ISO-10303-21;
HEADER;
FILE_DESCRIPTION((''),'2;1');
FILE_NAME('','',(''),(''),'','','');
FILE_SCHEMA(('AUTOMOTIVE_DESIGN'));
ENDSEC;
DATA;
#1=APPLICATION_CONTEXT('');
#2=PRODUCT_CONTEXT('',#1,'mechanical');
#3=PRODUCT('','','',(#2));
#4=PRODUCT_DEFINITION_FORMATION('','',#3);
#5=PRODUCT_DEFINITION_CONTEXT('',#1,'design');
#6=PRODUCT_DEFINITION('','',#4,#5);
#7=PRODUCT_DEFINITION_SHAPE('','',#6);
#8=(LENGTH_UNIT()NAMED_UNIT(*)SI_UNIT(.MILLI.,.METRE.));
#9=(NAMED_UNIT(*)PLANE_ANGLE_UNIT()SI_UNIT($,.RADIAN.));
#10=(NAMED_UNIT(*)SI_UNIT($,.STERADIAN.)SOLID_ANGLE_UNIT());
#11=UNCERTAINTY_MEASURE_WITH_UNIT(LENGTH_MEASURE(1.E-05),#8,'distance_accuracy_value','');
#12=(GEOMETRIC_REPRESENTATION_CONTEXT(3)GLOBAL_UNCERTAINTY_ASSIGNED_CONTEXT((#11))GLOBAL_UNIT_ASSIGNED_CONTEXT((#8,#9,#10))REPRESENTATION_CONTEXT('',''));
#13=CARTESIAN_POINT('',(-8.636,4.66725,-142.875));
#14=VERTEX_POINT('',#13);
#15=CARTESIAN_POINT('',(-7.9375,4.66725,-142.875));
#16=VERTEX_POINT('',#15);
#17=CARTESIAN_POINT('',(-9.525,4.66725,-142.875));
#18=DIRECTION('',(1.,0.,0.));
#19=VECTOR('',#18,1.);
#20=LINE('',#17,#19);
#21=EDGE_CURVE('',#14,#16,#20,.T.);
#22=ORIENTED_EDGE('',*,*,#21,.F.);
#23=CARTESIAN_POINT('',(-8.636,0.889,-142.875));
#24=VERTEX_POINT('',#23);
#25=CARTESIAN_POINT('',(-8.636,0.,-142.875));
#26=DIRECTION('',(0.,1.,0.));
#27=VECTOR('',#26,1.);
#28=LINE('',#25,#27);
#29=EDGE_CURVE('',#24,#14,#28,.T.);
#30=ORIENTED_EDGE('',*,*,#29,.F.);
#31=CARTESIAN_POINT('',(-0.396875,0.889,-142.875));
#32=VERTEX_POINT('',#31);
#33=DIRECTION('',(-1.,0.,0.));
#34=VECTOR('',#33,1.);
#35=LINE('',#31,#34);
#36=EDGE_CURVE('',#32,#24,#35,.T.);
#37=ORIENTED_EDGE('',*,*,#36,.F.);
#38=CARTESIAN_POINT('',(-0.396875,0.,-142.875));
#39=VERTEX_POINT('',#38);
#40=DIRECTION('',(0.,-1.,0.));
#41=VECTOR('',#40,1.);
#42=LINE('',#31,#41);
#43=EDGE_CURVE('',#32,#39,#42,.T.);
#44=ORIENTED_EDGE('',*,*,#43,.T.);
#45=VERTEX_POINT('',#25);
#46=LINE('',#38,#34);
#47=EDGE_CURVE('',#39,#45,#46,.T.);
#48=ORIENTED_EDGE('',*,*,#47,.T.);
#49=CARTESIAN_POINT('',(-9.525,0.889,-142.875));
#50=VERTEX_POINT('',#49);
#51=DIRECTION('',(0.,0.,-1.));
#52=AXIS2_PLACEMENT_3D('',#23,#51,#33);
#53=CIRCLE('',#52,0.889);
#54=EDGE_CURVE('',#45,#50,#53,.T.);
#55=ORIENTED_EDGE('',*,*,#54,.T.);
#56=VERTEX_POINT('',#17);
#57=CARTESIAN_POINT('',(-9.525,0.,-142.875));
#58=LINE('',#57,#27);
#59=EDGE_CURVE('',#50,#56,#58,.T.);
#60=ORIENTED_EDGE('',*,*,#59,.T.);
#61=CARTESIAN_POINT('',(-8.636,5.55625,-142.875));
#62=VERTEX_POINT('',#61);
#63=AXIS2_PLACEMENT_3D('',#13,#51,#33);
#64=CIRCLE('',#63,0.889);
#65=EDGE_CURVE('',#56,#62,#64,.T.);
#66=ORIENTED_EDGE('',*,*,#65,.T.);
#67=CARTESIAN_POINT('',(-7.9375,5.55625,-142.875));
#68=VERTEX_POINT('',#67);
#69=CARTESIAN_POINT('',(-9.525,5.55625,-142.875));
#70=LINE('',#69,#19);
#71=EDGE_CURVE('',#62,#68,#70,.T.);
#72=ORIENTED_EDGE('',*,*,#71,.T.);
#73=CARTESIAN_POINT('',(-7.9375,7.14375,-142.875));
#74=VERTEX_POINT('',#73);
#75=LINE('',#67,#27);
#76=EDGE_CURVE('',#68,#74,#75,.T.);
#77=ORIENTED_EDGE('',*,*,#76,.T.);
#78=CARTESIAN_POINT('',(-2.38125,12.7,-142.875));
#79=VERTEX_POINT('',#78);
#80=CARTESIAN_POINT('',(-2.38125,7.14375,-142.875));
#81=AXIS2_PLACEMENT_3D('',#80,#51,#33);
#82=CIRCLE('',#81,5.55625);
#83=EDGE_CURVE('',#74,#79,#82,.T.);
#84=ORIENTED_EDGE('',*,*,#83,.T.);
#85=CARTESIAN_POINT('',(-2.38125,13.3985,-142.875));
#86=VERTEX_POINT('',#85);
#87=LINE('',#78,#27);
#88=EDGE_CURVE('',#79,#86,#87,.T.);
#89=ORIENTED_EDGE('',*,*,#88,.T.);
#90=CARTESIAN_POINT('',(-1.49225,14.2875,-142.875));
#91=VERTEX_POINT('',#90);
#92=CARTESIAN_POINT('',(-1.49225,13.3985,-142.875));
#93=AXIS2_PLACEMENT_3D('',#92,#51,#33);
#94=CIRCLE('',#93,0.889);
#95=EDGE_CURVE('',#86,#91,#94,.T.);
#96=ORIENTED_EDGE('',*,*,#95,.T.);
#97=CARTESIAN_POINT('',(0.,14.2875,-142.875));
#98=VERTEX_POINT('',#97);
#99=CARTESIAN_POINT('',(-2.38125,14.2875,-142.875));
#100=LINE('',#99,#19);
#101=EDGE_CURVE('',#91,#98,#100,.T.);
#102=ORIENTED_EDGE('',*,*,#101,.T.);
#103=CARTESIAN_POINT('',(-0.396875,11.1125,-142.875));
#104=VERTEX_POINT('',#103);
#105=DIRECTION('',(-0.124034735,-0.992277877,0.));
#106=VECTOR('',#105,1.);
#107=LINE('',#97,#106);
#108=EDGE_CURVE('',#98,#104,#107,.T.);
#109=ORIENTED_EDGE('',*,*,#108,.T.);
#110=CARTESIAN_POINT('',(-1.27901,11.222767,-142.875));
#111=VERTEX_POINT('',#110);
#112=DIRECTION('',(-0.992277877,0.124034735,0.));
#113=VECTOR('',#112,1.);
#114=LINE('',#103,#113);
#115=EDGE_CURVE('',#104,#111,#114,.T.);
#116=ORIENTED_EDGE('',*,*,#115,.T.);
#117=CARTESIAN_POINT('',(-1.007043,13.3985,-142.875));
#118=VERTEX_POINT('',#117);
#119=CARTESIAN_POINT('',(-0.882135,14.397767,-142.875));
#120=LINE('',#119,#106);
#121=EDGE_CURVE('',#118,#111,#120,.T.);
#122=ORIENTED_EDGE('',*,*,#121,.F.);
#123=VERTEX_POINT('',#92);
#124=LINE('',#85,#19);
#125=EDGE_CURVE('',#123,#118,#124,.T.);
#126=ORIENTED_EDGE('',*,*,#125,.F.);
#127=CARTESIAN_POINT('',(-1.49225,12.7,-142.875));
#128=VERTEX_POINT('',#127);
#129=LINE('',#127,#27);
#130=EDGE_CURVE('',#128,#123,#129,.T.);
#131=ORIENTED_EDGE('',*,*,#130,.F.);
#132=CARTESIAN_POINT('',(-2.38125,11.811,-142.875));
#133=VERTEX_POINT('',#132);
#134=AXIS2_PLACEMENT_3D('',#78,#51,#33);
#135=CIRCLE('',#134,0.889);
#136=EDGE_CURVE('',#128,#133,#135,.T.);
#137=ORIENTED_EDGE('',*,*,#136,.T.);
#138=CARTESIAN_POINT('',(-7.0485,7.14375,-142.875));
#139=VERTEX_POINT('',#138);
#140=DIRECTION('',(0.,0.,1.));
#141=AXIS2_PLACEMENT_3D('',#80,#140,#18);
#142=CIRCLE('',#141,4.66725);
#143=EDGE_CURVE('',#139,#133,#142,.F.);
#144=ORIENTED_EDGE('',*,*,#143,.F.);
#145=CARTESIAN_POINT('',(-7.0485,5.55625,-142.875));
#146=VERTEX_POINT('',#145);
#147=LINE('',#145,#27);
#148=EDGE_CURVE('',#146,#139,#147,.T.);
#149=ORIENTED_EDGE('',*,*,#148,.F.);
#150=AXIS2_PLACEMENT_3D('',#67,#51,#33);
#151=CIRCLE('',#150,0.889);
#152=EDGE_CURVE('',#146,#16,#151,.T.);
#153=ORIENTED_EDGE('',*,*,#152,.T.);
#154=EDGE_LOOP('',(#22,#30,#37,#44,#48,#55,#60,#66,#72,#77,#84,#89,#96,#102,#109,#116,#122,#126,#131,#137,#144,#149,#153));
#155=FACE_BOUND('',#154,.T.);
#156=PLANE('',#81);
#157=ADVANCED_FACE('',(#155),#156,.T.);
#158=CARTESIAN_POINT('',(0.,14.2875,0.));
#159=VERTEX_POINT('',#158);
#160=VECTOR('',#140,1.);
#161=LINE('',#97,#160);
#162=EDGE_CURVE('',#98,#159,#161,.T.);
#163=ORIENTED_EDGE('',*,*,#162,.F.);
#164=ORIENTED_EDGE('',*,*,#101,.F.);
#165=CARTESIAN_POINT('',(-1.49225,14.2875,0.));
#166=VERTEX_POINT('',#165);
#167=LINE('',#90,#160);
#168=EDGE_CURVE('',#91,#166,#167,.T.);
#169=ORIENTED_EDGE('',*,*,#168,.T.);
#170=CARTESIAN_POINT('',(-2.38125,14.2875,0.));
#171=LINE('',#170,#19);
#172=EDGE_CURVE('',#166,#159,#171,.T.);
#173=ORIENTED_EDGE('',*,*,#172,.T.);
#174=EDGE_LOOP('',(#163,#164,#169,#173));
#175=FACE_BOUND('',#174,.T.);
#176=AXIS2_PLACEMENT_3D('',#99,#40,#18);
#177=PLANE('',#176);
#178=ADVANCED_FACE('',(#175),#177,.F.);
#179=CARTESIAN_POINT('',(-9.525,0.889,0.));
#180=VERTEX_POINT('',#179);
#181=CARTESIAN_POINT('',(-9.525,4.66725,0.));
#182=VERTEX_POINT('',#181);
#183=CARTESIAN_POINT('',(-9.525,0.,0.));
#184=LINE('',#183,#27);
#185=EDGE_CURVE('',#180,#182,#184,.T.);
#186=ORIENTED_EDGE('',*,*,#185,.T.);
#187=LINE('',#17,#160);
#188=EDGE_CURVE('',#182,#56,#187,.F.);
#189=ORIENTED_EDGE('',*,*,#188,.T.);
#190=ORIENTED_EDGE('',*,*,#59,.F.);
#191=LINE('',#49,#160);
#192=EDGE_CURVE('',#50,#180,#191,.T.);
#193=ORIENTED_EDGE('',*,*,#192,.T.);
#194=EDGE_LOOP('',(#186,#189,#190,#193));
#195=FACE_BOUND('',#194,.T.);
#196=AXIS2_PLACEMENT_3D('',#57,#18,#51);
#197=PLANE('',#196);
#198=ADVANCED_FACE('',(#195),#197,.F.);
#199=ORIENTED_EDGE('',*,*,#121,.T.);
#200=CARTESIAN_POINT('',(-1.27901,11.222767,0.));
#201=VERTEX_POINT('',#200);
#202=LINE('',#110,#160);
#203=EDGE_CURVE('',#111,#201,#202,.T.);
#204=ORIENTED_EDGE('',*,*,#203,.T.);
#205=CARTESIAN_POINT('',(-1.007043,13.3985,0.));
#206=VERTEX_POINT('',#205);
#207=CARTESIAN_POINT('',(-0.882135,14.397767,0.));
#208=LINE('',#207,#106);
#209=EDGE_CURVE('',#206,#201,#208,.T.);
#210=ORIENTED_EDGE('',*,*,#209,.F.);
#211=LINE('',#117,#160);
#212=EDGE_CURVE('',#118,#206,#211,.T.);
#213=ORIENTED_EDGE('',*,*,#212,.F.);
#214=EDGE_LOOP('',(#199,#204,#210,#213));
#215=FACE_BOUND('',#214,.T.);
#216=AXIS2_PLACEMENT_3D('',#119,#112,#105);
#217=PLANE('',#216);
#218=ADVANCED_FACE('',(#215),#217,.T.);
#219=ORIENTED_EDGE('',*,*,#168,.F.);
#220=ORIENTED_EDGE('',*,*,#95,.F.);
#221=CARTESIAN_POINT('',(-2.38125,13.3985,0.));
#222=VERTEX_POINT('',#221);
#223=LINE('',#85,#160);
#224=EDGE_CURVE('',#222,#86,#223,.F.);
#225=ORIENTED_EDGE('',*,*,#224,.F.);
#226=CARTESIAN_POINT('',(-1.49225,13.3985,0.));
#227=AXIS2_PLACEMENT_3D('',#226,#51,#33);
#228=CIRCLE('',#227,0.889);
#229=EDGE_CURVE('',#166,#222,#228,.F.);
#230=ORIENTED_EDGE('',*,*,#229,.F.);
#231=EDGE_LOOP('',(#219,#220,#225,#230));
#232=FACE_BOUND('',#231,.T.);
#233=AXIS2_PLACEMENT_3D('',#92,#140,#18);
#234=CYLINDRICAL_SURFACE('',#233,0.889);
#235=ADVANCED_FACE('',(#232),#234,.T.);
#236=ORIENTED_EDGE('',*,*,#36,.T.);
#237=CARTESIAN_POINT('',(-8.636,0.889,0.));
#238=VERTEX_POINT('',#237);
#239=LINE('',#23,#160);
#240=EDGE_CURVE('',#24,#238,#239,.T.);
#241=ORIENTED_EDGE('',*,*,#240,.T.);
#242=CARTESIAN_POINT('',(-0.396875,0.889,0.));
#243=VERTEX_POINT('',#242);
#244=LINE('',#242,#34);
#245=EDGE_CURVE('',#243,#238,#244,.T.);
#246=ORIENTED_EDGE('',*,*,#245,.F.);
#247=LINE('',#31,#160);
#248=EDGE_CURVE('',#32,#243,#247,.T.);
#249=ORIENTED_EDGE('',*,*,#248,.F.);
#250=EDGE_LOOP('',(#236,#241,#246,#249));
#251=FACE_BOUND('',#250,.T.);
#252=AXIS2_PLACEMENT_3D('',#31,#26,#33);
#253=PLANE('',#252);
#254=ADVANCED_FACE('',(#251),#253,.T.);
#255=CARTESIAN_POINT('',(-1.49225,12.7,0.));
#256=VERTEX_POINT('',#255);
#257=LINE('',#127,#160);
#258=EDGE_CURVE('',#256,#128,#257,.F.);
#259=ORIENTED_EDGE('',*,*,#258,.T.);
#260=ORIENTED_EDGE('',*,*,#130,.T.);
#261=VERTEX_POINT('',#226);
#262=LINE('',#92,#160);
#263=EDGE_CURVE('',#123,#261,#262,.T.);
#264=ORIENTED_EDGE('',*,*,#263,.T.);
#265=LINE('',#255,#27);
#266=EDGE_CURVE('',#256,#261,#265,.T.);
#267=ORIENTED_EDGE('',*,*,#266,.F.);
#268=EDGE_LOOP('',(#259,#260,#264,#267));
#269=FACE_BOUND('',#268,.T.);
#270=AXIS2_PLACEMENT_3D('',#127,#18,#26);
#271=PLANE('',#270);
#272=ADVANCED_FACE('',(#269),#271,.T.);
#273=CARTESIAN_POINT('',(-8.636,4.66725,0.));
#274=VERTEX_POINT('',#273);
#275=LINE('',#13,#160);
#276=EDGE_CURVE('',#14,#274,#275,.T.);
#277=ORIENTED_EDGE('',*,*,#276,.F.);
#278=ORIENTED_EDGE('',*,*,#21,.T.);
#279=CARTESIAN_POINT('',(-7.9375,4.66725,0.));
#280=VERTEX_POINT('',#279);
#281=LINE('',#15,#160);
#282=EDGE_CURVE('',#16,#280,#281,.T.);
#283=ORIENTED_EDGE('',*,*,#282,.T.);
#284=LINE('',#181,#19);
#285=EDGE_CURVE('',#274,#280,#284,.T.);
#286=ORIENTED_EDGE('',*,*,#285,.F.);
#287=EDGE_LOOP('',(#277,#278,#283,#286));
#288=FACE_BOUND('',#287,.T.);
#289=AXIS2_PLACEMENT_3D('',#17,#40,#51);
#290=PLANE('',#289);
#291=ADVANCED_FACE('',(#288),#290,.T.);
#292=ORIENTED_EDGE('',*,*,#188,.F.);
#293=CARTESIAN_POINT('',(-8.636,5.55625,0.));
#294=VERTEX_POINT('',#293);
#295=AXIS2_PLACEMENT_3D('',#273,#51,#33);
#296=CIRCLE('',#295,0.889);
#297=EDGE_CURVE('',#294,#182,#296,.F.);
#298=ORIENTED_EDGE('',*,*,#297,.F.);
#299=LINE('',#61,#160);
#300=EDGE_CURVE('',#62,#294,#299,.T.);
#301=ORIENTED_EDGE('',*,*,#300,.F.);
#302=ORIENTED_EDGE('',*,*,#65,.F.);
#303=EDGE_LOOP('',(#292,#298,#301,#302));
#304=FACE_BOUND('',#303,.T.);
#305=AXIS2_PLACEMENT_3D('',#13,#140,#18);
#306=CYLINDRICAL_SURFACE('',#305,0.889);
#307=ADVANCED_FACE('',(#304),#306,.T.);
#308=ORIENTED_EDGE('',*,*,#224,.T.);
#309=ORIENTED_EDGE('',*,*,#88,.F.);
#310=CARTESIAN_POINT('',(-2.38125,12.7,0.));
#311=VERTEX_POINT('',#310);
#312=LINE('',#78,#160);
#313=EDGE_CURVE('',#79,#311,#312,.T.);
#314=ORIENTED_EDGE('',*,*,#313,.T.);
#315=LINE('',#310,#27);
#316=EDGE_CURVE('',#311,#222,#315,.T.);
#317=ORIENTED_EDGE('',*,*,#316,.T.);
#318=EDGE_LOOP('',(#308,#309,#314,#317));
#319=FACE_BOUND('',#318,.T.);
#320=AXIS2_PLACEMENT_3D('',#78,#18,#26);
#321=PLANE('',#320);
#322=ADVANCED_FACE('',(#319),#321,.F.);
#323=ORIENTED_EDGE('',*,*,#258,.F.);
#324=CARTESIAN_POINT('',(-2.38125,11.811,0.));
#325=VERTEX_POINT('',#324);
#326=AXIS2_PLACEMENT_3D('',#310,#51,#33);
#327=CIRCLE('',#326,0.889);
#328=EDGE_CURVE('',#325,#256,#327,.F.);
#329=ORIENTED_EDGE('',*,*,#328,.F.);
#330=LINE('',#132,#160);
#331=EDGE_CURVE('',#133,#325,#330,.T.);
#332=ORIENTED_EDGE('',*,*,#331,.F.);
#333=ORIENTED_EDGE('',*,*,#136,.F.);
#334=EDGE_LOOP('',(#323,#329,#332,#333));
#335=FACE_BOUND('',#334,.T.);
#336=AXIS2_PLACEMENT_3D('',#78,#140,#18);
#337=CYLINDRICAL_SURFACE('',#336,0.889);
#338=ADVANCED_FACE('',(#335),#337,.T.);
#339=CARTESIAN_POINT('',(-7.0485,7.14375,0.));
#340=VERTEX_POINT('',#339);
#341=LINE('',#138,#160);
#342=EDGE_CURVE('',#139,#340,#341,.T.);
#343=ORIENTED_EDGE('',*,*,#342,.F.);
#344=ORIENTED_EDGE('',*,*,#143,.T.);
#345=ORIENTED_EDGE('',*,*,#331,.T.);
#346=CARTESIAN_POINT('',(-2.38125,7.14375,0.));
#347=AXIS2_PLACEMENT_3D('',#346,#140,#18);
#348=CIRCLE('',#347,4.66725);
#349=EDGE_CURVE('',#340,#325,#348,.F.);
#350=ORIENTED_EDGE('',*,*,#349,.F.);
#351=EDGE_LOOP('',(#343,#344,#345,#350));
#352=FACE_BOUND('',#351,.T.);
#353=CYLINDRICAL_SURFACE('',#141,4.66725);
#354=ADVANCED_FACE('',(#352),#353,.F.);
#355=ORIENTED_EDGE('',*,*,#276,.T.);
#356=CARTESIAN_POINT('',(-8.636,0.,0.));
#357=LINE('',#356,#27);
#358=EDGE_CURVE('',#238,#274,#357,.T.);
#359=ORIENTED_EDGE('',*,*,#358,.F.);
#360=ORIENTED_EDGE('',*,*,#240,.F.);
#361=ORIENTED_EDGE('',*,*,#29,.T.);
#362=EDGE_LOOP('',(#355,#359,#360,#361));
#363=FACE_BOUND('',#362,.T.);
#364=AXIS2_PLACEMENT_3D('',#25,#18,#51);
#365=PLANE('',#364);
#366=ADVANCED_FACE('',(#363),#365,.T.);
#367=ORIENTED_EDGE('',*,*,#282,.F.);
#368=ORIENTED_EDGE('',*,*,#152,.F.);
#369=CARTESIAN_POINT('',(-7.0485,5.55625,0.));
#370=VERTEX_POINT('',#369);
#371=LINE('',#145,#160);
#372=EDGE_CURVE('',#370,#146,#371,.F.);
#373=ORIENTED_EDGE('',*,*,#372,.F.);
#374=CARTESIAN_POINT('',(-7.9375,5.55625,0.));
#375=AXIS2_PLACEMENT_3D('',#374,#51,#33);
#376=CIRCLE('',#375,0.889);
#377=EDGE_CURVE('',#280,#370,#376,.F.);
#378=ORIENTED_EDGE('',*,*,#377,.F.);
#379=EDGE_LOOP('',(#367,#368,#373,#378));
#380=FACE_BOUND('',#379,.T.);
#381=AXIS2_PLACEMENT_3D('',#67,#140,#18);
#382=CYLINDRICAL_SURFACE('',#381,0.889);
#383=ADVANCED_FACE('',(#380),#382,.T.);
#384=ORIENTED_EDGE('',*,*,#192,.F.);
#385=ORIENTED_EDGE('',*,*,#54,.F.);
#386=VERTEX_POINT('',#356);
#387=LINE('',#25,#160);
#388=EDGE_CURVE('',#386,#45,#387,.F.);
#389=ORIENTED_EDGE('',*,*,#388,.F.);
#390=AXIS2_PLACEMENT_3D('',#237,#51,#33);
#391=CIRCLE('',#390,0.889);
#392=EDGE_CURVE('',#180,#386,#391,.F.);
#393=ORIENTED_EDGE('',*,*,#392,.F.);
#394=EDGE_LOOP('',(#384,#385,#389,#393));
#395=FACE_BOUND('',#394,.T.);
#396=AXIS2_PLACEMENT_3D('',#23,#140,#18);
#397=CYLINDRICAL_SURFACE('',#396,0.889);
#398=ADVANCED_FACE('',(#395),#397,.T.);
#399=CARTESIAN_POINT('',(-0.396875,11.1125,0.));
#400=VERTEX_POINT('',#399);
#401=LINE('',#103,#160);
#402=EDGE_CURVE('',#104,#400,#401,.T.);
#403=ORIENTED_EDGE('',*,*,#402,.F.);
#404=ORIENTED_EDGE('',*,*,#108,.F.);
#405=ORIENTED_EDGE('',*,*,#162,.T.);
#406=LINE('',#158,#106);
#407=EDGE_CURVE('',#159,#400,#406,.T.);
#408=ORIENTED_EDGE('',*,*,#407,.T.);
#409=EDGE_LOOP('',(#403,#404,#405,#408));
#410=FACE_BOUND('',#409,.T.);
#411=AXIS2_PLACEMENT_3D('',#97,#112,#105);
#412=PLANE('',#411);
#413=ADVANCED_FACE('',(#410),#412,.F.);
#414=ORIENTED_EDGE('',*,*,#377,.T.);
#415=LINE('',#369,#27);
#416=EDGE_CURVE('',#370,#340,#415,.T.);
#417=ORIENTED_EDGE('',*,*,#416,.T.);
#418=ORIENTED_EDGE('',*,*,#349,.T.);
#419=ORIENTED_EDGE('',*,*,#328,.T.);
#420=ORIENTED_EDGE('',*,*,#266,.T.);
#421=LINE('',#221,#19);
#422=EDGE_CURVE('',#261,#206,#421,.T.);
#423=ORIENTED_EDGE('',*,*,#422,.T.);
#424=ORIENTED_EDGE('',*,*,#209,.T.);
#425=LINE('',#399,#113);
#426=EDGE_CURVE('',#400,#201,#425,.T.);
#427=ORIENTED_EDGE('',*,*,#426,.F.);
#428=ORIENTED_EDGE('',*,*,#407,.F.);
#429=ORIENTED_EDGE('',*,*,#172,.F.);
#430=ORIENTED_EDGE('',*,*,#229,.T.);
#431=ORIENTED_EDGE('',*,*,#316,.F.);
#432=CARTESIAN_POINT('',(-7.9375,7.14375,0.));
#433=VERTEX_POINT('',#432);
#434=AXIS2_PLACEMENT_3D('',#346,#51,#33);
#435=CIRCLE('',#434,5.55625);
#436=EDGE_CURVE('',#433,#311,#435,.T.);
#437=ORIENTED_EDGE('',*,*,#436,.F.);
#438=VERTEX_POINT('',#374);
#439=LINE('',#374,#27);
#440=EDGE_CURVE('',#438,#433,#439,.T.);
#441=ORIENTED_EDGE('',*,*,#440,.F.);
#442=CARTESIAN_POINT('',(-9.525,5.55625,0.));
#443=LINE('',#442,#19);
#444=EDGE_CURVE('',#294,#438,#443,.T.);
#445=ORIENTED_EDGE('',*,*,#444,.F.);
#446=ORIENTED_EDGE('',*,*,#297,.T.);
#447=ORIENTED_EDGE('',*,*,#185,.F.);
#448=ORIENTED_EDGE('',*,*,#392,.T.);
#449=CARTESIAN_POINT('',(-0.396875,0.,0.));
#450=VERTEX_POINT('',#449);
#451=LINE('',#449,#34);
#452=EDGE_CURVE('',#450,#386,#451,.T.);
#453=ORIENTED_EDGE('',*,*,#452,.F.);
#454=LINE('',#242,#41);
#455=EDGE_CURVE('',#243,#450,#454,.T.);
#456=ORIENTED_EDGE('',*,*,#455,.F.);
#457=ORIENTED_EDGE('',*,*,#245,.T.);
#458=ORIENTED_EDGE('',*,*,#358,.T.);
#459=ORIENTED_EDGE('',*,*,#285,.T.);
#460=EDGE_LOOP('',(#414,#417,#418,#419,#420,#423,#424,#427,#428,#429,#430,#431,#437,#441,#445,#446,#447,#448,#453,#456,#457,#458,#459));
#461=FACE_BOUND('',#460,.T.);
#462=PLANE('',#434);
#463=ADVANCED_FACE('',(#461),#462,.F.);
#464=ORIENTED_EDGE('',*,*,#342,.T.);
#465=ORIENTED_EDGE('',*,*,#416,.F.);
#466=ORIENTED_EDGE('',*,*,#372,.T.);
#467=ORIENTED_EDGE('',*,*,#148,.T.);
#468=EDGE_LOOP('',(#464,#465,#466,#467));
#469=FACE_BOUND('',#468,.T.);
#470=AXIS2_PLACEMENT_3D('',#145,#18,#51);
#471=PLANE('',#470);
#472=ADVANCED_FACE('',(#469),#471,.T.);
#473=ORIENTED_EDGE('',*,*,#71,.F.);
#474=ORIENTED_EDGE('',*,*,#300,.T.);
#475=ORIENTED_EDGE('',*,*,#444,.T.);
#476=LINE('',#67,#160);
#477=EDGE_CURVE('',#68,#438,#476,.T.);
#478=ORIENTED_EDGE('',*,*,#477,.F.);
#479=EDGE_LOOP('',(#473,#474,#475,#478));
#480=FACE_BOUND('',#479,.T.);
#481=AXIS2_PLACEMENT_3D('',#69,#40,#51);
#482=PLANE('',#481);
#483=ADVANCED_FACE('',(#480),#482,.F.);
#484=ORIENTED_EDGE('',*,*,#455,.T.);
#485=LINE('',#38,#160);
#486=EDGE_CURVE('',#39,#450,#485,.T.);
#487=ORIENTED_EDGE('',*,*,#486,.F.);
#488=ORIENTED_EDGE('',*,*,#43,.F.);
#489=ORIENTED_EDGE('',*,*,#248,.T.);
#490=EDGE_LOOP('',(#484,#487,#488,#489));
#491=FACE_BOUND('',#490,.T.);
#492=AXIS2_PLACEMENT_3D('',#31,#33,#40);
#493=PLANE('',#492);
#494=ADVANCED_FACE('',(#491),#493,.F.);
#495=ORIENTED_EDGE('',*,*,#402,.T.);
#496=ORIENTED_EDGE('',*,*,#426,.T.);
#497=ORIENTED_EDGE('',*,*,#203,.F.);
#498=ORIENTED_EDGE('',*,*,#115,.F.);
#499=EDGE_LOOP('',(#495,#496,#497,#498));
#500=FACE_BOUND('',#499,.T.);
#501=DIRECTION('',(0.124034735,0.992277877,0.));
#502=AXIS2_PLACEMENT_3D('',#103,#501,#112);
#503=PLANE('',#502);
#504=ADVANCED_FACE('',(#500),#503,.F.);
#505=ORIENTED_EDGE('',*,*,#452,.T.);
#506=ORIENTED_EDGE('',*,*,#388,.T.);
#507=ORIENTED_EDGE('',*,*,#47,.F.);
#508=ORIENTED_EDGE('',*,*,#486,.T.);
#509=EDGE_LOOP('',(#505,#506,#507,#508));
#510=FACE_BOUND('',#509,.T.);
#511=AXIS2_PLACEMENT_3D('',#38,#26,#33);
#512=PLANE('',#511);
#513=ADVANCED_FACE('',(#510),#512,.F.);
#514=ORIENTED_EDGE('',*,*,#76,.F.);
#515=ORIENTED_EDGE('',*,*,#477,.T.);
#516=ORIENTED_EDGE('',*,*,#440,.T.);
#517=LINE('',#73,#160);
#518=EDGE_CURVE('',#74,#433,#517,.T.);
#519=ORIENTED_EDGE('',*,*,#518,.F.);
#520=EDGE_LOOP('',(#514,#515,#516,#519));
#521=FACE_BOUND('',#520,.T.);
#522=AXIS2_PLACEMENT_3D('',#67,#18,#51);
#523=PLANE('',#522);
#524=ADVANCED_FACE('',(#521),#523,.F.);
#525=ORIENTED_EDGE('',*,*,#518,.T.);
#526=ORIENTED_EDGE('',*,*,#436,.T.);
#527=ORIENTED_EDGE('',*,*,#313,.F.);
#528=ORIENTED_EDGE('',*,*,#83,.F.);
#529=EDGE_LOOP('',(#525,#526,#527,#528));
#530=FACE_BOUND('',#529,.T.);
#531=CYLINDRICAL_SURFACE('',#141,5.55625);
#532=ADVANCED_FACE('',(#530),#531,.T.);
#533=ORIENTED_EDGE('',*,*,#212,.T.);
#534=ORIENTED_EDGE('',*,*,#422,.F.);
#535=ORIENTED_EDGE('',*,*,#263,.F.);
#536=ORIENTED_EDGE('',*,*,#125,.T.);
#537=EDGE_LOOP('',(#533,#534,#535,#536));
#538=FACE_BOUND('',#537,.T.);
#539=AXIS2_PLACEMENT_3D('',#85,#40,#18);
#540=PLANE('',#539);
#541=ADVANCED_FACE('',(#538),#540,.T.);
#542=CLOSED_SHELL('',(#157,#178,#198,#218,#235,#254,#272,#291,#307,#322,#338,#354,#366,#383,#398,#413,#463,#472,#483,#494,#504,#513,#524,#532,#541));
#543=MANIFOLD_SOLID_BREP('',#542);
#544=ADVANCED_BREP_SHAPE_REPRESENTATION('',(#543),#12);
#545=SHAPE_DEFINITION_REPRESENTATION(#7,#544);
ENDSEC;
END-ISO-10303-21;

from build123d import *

# Parameters (mm, degrees)
EXTRUDE_THIN1_DEPTH = 142.875
FILLET1_R           = 0.889


with BuildPart() as part:
    # Sketch1 → Extrude-Thin1 (new body)
    with BuildSketch(Plane.XY):
        with BuildLine():
            Line((-0.396875, 0), (-9.525, 0))
            Line((-9.525, 0), (-9.525, 5.55625))
            Line((-9.525, 5.55625), (-7.9375, 5.55625))
            Line((-7.9375, 5.55625), (-7.9375, 7.14375))
            ThreePointArc((-7.9375, 7.14375), (-6.310112053, 11.072612053), (-2.38125, 12.7))
            Line((-2.38125, 12.7), (-2.38125, 14.2875))
            Line((-2.38125, 14.2875), (0, 14.2875))
            Line((0, 14.2875), (-0.396875, 11.1125))
            Line((-0.396875, 11.1125), (-1.279010032, 11.222766879))
            Line((-1.279010032, 11.222766879), (-1.007043392, 13.3985))
            Line((-1.007043392, 13.3985), (-1.49225, 13.3985))
            Line((-1.49225, 13.3985), (-1.49225, 11.725551126))
            ThreePointArc((-1.49225, 11.725551126), (-5.350596503, 10.744611551), (-7.0485, 7.14375))
            Line((-7.0485, 7.14375), (-7.0485, 4.66725))
            Line((-7.0485, 4.66725), (-8.636, 4.66725))
            Line((-8.636, 4.66725), (-8.636, 0.889))
            Line((-8.636, 0.889), (-0.396875, 0.889))
            Line((-0.396875, 0.889), (-0.396875, 0))
        make_face()
    extrude(amount=-EXTRUDE_THIN1_DEPTH)

    # Fillet1
    fillet1_edges = [part.edges().sort_by_distance(p)[0] for p in [
        (-1.49225, 11.725551126, -71.4375),
        (-7.0485, 4.66725, -71.4375),
        (-9.525, 0, -71.4375),
        (-9.525, 5.55625, -71.4375),
        (-2.38125, 14.2875, -71.4375),
    ]]
    fillet(fillet1_edges, radius=FILLET1_R)


solid = part.part
